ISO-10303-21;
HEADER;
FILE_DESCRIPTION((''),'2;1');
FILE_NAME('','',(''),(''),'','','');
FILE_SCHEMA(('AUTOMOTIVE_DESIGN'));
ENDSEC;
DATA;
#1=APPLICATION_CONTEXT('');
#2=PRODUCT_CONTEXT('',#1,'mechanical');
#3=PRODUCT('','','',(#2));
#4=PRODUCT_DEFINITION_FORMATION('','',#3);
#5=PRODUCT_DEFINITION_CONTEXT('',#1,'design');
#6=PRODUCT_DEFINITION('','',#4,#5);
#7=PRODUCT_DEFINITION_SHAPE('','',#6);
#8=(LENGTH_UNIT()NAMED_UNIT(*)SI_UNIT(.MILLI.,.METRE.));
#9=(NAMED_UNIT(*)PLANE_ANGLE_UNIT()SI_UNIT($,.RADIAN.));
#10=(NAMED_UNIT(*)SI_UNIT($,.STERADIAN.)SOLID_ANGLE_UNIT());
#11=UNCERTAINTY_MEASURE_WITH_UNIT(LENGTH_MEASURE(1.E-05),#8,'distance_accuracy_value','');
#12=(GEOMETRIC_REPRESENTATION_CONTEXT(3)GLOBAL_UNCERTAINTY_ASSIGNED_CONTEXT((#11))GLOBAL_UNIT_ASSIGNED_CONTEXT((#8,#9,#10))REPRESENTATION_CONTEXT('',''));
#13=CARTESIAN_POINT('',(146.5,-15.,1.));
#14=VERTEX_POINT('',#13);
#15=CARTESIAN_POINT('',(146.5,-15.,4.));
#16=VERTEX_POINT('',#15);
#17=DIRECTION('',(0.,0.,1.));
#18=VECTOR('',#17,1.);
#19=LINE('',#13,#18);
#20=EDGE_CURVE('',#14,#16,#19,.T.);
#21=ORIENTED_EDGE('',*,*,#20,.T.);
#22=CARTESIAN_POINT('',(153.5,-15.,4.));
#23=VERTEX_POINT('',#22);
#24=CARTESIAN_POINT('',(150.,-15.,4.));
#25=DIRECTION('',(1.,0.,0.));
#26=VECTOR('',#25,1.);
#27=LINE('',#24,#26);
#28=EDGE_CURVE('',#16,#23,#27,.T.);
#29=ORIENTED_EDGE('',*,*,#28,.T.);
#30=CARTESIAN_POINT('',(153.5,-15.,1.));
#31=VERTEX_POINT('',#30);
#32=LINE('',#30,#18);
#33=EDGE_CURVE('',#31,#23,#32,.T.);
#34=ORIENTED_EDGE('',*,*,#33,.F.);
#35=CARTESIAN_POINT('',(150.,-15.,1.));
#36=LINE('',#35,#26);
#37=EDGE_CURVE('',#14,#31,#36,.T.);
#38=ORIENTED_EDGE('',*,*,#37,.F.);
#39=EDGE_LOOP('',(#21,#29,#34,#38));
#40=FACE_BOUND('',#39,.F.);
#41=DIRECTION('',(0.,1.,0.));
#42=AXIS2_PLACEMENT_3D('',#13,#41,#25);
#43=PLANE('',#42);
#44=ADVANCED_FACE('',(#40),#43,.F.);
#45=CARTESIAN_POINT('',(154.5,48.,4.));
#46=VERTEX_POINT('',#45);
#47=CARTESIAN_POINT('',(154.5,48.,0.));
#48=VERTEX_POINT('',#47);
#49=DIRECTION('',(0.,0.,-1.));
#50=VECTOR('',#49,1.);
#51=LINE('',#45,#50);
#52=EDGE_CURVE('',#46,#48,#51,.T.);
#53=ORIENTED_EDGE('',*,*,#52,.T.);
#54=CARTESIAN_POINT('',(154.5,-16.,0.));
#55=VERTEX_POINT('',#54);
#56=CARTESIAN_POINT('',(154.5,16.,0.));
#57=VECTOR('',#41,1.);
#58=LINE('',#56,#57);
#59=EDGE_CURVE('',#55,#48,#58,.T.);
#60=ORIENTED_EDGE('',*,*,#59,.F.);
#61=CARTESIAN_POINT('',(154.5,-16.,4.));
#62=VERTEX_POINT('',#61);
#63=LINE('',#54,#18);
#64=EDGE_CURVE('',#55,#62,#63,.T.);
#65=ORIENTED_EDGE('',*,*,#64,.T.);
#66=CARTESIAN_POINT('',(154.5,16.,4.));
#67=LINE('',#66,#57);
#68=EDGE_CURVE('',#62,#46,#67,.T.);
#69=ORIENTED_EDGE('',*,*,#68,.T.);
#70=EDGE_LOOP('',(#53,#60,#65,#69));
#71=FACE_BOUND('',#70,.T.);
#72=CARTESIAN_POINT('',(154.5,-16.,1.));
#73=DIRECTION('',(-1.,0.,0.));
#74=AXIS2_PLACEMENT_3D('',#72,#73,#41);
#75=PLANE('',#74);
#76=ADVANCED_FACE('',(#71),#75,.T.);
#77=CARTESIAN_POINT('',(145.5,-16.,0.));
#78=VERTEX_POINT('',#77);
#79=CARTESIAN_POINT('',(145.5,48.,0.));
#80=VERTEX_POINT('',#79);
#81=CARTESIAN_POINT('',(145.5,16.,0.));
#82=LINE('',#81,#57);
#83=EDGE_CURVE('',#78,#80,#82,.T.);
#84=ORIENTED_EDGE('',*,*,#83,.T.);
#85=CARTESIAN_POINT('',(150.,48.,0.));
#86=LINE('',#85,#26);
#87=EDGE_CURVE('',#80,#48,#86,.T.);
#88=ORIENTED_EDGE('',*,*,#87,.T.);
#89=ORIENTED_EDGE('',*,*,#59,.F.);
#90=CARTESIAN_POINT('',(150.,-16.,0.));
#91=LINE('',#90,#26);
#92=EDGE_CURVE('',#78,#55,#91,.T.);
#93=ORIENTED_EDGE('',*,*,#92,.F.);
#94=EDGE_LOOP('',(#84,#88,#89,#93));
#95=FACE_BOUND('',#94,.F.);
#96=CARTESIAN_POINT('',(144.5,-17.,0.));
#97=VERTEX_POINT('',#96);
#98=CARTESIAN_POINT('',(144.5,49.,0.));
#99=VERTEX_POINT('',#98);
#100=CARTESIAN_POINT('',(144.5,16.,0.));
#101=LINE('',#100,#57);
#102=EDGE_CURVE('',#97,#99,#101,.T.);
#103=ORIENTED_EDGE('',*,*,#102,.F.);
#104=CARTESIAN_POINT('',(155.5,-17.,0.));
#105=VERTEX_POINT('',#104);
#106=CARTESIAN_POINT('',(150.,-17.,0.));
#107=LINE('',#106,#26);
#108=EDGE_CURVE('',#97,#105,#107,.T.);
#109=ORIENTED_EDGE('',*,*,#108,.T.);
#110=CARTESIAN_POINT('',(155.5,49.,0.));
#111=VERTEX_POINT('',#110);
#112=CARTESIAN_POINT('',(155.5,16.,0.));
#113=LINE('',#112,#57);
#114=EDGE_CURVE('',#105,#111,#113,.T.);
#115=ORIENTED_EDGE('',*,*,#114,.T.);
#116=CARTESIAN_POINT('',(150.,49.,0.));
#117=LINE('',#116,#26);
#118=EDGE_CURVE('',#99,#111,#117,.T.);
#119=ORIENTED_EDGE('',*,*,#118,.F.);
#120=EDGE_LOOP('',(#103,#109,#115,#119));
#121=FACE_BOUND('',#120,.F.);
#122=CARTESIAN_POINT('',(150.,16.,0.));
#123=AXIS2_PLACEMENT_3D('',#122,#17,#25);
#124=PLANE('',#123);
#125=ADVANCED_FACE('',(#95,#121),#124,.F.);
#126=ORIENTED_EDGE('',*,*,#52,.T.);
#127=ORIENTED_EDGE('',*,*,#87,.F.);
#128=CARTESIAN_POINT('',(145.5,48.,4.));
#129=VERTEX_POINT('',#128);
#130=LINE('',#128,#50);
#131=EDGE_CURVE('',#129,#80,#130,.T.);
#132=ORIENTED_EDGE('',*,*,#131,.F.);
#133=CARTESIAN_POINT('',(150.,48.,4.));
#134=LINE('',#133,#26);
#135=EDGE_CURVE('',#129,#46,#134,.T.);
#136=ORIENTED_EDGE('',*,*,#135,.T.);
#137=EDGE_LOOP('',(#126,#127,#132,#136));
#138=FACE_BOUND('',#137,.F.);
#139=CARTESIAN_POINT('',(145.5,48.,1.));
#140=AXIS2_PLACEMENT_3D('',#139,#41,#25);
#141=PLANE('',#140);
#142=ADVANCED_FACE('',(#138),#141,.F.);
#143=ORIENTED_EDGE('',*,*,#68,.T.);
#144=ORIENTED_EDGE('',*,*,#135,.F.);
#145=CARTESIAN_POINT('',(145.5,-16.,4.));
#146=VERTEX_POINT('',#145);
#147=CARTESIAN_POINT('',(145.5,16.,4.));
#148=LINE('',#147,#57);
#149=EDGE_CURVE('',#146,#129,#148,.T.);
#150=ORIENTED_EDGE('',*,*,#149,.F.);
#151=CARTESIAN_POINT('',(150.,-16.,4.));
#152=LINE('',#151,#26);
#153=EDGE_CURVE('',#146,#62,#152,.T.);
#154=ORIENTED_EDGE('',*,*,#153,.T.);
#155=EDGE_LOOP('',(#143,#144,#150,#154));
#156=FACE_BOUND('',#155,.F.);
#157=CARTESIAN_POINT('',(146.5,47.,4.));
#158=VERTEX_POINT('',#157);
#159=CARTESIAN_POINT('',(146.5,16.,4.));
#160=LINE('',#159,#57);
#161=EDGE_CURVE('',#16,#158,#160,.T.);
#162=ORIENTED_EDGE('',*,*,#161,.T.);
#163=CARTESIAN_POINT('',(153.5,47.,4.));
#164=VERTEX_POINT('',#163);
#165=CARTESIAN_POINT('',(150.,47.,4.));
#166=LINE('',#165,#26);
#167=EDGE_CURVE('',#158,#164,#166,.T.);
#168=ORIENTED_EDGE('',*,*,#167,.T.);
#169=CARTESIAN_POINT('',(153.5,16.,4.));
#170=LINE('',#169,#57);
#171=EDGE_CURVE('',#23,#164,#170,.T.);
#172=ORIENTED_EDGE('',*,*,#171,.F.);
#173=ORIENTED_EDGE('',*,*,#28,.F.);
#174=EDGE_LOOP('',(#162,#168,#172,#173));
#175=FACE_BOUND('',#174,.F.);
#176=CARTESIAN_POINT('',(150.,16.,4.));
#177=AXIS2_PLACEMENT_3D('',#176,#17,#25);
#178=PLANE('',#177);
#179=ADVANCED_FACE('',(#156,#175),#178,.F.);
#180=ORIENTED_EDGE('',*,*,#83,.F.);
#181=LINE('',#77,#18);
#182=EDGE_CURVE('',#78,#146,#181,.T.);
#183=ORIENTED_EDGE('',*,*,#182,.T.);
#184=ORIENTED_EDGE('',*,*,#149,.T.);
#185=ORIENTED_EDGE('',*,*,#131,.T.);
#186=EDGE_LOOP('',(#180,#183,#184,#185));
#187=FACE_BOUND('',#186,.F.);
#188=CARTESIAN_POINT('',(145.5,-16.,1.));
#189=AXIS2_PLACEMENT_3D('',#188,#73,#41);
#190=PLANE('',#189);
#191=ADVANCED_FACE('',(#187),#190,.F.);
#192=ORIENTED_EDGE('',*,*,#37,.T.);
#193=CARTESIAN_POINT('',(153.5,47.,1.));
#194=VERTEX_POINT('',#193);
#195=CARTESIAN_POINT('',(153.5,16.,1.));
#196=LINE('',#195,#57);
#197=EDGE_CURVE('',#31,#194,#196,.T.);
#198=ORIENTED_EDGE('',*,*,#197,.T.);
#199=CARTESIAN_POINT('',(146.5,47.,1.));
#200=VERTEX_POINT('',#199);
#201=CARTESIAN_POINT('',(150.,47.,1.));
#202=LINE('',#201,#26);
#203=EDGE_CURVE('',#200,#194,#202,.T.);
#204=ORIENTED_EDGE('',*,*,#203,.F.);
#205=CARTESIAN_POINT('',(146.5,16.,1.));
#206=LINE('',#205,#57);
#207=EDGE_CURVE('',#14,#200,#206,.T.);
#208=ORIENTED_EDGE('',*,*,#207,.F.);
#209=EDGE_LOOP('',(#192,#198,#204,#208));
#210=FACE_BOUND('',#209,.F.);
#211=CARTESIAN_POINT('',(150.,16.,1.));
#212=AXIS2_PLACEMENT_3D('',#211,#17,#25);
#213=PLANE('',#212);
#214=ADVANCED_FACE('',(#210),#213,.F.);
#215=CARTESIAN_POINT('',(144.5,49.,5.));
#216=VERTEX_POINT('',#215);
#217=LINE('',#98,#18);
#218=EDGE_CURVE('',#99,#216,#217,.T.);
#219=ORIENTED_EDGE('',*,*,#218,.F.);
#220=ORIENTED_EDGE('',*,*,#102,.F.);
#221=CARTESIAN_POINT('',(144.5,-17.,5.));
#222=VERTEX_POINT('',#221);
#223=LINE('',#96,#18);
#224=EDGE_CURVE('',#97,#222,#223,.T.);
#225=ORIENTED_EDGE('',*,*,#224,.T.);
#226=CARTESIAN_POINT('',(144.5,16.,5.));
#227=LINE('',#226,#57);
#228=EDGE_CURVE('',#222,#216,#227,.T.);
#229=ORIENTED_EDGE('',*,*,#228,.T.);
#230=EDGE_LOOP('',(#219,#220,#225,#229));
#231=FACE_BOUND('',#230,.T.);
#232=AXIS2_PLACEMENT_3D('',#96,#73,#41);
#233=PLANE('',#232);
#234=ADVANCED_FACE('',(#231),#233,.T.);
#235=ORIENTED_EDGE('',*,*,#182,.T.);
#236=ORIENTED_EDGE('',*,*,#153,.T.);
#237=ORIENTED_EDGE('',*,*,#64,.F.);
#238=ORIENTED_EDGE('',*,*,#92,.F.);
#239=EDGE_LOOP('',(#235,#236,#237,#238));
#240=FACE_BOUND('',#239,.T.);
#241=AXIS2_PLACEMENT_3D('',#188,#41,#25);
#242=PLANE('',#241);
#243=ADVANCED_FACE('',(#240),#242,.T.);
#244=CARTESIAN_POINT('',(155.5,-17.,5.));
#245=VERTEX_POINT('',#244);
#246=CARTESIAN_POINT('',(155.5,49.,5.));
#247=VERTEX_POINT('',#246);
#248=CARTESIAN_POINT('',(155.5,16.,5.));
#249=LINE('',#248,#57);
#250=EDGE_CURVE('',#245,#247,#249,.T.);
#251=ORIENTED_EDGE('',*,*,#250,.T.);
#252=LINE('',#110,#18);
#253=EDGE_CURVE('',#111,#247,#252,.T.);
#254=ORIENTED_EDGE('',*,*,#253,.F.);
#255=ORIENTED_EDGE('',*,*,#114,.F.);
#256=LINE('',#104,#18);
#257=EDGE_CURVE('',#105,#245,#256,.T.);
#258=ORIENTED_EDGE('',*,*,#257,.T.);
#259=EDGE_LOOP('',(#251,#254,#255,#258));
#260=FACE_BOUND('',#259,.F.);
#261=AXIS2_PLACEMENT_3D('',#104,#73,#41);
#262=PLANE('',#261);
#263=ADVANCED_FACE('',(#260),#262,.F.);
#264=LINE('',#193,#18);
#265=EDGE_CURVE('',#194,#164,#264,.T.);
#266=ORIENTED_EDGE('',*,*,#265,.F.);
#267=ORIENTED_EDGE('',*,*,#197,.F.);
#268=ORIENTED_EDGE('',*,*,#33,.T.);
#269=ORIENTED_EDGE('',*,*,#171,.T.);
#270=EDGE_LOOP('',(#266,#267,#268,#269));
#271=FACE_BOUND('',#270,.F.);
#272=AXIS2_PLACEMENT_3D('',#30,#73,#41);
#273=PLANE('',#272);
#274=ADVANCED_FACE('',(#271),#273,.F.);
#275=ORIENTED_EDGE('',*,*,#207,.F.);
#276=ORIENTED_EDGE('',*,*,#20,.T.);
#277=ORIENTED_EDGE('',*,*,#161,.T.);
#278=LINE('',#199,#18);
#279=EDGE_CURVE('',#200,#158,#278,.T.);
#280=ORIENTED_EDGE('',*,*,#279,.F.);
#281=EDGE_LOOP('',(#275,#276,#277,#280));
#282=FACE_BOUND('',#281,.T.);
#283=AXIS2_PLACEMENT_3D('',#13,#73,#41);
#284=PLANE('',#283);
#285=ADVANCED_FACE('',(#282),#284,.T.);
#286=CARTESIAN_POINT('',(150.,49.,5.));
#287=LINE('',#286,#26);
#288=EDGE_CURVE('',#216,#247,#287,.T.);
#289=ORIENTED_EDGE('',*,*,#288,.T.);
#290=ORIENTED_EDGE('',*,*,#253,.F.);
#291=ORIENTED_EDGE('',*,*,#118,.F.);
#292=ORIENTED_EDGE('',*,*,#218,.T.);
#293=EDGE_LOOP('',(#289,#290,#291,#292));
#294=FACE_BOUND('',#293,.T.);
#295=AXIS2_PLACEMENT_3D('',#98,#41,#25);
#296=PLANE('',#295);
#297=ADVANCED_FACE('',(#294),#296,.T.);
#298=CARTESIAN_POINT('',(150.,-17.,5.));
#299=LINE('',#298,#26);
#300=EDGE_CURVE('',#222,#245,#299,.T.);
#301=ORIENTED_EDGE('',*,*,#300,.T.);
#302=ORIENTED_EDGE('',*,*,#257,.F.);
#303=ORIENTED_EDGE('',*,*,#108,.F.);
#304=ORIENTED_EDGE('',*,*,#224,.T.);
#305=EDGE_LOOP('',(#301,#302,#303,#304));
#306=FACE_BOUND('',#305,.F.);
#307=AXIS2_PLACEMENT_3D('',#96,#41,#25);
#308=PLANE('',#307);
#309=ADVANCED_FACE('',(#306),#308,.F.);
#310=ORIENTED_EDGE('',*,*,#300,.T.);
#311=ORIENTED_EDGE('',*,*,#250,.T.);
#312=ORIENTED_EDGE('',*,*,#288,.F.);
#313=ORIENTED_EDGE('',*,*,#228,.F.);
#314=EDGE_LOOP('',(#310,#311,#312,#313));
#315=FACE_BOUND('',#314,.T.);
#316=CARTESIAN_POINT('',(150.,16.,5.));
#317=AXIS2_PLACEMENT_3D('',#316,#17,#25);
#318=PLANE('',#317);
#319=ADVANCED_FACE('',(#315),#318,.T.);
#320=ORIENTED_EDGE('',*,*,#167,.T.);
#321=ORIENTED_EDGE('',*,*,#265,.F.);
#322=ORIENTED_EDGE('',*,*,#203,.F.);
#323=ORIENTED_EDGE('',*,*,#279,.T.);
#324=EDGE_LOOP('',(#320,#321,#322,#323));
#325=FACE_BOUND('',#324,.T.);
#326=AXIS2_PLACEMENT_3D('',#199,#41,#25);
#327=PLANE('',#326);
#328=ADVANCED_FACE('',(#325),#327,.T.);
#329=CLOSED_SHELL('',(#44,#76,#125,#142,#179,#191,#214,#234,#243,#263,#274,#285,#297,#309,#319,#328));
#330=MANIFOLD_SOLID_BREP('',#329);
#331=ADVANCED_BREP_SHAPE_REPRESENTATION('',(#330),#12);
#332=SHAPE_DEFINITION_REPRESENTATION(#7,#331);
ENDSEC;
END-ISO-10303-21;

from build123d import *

# Parameters (mm, degrees)
SKETCH083_W   = 9
SKETCH083_H   = 64
PAD058_DEPTH  = 1
SKETCH084_W   = 9
SKETCH084_H   = 64
SKETCH084_W_2 = 7
SKETCH084_H_2 = 62
PAD059_DEPTH  = 3
BOX003_W      = 11
BOX003_H      = 66
BOX003_DEPTH  = 5


with BuildPart() as sidemold001:
    # Sketch083 → Pad058 (new body)
    with BuildSketch(Plane.XY):
        Rectangle(SKETCH083_W, SKETCH083_H)
    extrude(amount=PAD058_DEPTH)

    # Sketch084 (on Face6 of Pad058) → Pad059 (join)
    with BuildSketch(Plane.XY.offset(1)):
        Rectangle(SKETCH084_W, SKETCH084_H)
        Rectangle(SKETCH084_W_2, SKETCH084_H_2, mode=Mode.SUBTRACT)
    extrude(amount=PAD059_DEPTH)


with BuildPart() as sidemold001_1:
    # Body026 placement: moved
    add(sidemold001.part.moved(Location((150, 35, 0))))


with BuildPart() as long_side_mold:
    # Box003 → Box003 (new body)
    with BuildSketch(Plane(origin=(144.5, 2, 0), x_dir=(1, 0, 0), z_dir=(0, 0, 1))):
        with Locations((5.5, 33)):
            Rectangle(BOX003_W, BOX003_H)
    extrude(amount=BOX003_DEPTH)

    # Cut003: cut SideMold001
    add(sidemold001_1.part, mode=Mode.SUBTRACT)


with BuildPart() as long_side_mold_1:
    # Cut003 placement: moved
    add(long_side_mold.part.moved(Location((0, -19, 0))))


solid = long_side_mold_1.part
